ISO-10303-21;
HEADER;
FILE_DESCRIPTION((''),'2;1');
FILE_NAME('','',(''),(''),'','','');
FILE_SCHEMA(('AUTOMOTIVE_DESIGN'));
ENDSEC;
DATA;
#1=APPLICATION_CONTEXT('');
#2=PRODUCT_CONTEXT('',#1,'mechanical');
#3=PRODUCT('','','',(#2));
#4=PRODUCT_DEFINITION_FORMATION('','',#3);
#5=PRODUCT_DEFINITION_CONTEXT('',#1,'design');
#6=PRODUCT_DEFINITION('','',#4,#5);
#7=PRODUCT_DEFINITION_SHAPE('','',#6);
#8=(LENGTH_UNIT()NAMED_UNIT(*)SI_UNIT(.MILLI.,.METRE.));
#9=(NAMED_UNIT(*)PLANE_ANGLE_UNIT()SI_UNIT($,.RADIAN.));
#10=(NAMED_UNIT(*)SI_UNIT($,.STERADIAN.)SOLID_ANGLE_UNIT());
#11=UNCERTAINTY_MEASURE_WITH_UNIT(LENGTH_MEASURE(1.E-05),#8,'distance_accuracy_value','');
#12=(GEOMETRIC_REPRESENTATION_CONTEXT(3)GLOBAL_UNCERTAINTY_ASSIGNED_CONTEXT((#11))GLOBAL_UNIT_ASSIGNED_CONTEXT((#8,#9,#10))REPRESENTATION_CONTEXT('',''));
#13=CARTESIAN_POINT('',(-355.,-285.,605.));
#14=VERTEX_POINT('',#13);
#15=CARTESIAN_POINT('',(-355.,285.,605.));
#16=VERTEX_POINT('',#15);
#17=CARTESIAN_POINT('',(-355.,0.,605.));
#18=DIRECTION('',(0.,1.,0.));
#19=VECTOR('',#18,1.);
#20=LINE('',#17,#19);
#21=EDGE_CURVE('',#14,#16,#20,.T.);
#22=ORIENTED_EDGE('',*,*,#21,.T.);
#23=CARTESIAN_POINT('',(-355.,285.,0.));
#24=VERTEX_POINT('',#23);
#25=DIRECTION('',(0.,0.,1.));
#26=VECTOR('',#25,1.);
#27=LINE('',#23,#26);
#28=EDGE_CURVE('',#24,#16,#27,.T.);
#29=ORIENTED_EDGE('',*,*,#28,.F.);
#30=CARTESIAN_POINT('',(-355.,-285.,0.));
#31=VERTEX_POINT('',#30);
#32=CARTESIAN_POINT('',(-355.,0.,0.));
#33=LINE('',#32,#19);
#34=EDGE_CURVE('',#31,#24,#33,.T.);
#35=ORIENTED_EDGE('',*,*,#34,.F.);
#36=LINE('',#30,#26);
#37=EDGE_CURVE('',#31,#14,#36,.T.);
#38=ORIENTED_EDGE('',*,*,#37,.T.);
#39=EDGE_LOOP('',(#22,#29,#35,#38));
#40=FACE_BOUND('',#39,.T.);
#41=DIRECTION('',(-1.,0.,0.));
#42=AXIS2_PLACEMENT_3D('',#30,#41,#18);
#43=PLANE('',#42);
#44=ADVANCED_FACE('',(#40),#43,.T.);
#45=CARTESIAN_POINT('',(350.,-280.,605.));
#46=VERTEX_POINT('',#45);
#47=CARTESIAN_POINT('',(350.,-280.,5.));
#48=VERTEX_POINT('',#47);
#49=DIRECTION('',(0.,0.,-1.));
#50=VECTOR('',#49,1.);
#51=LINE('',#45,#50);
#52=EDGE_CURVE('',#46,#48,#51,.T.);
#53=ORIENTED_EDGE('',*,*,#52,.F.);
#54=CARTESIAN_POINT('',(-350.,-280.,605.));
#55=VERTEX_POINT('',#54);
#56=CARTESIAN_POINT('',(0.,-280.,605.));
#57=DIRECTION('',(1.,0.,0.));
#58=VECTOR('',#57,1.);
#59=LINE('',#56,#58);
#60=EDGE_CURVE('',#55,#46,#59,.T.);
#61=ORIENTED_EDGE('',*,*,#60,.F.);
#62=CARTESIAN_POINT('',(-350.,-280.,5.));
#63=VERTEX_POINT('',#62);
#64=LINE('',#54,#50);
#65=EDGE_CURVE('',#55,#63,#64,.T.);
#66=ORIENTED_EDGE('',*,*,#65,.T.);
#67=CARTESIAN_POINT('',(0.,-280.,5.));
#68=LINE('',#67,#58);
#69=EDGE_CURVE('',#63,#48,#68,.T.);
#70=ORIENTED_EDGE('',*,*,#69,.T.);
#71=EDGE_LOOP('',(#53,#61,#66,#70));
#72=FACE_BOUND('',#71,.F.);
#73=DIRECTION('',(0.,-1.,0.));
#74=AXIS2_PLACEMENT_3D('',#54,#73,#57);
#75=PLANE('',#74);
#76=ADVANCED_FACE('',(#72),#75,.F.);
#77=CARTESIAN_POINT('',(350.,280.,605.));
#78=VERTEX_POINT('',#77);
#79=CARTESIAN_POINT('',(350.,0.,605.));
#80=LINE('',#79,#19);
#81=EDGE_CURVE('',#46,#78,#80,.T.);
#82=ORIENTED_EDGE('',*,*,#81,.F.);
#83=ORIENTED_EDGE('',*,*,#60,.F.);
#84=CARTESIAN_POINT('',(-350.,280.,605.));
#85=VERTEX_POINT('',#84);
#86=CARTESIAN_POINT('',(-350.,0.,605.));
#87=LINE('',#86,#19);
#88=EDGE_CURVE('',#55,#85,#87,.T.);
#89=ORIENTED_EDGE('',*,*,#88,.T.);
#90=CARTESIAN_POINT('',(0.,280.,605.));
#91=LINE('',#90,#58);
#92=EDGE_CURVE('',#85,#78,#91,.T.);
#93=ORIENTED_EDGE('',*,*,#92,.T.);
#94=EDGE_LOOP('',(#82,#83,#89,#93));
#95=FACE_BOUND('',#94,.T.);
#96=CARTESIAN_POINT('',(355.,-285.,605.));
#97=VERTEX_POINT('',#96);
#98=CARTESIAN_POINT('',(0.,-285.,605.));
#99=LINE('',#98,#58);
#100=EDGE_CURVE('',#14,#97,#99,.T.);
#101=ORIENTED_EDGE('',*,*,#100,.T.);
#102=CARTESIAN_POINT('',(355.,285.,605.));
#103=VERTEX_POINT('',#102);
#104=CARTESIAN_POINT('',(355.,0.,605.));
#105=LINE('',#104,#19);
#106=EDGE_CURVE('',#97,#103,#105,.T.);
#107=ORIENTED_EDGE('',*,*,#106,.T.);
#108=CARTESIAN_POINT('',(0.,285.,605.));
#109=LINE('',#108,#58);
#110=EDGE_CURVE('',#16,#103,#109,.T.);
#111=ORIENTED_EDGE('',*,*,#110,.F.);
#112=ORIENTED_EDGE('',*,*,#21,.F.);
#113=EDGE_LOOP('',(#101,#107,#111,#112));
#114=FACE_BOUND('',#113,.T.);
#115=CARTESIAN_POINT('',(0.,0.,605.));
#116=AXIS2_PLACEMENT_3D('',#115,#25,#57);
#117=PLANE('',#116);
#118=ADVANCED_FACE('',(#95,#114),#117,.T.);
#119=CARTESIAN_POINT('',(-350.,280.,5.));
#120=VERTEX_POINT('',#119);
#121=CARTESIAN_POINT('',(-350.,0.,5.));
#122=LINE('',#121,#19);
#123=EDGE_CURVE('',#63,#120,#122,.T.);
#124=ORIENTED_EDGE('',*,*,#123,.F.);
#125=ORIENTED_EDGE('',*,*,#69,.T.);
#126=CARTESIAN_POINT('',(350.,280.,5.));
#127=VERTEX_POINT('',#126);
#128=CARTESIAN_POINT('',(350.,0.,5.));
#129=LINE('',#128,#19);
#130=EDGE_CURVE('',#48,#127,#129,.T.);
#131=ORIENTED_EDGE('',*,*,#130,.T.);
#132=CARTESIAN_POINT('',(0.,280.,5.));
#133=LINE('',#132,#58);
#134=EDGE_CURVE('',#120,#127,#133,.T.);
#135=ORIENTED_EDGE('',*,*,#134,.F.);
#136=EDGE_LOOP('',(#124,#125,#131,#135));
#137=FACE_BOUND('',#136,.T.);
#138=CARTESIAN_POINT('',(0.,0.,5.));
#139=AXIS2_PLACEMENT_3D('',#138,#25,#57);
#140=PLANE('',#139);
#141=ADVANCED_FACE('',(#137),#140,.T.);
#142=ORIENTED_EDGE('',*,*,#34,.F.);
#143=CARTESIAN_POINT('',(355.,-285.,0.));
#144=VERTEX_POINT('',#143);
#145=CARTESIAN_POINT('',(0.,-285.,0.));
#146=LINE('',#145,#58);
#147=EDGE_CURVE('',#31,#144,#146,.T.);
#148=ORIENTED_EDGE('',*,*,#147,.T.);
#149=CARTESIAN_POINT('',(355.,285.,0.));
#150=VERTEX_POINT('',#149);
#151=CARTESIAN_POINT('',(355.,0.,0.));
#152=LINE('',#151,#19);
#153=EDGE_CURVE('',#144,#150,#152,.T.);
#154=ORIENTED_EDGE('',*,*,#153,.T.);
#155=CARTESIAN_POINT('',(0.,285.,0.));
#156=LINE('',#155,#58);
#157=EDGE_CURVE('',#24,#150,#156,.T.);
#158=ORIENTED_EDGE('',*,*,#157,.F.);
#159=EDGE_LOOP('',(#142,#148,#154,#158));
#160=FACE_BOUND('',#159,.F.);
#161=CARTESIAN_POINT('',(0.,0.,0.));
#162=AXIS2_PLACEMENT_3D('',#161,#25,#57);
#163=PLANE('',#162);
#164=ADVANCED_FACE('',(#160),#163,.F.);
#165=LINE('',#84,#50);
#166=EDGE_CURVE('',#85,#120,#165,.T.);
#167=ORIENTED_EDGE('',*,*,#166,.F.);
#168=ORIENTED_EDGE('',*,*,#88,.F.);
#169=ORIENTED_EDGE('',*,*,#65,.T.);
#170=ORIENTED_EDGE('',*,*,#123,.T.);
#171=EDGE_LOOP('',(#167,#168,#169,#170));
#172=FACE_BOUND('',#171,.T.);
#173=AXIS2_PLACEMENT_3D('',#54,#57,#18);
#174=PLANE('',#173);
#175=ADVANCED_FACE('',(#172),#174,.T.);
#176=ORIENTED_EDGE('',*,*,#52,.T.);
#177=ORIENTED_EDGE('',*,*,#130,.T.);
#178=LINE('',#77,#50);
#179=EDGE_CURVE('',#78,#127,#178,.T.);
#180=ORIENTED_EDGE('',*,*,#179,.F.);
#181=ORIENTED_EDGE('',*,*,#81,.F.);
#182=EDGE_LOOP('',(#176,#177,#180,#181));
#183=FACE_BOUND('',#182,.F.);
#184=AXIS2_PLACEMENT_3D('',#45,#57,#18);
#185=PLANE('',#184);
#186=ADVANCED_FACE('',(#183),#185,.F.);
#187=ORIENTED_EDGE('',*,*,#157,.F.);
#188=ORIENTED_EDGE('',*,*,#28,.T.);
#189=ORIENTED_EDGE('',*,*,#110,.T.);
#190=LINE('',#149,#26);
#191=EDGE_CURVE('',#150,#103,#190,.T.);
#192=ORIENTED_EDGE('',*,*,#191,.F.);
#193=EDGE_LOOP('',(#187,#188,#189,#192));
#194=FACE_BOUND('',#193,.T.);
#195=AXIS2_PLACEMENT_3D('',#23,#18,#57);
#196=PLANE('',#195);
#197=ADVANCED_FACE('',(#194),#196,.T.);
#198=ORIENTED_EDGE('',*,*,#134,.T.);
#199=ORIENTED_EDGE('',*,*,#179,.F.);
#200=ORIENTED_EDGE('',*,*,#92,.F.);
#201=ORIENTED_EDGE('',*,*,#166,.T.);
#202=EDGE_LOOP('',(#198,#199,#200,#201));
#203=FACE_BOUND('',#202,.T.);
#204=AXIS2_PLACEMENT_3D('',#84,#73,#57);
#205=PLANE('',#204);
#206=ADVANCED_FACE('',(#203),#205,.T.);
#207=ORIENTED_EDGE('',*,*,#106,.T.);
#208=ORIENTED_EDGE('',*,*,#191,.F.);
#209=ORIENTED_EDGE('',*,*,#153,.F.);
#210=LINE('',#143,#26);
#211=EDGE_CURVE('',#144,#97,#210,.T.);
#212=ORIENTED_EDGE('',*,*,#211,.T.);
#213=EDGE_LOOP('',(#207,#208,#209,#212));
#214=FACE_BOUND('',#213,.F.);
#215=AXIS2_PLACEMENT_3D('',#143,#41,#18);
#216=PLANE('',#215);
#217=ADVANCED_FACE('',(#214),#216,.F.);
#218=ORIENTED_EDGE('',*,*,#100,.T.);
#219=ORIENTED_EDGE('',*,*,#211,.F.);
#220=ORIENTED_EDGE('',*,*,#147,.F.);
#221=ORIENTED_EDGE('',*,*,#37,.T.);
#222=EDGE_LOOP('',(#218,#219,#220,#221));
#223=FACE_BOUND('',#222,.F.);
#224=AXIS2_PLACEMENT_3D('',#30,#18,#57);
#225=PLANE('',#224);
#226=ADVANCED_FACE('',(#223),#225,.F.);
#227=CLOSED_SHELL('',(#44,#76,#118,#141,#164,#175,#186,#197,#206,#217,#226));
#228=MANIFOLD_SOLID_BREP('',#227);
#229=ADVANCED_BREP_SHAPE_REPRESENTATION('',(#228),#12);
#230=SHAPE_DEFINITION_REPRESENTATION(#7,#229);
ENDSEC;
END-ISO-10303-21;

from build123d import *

# Parameters (mm, degrees)
F0_W     = 710
F0_H     = 570
F0_W_2   = 700
F0_H_2   = 560
F1_DEPTH = 605
F2_W     = 700
F2_H     = 560
F3_DEPTH = 600


with BuildPart() as f1:
    # F0 (on Top) → F1 (new body)
    with BuildSketch(Plane.XY):
        Rectangle(F0_W, F0_H)
        Rectangle(F0_W_2, F0_H_2, mode=Mode.SUBTRACT)
        Rectangle(F0_W_2, F0_H_2)
    extrude(amount=F1_DEPTH)

    # F2 (on face) → F3 (cut)
    with BuildSketch(Plane.XY.offset(605)):
        Rectangle(F2_W, F2_H)
    extrude(amount=-F3_DEPTH, mode=Mode.SUBTRACT)


solid = f1.part
